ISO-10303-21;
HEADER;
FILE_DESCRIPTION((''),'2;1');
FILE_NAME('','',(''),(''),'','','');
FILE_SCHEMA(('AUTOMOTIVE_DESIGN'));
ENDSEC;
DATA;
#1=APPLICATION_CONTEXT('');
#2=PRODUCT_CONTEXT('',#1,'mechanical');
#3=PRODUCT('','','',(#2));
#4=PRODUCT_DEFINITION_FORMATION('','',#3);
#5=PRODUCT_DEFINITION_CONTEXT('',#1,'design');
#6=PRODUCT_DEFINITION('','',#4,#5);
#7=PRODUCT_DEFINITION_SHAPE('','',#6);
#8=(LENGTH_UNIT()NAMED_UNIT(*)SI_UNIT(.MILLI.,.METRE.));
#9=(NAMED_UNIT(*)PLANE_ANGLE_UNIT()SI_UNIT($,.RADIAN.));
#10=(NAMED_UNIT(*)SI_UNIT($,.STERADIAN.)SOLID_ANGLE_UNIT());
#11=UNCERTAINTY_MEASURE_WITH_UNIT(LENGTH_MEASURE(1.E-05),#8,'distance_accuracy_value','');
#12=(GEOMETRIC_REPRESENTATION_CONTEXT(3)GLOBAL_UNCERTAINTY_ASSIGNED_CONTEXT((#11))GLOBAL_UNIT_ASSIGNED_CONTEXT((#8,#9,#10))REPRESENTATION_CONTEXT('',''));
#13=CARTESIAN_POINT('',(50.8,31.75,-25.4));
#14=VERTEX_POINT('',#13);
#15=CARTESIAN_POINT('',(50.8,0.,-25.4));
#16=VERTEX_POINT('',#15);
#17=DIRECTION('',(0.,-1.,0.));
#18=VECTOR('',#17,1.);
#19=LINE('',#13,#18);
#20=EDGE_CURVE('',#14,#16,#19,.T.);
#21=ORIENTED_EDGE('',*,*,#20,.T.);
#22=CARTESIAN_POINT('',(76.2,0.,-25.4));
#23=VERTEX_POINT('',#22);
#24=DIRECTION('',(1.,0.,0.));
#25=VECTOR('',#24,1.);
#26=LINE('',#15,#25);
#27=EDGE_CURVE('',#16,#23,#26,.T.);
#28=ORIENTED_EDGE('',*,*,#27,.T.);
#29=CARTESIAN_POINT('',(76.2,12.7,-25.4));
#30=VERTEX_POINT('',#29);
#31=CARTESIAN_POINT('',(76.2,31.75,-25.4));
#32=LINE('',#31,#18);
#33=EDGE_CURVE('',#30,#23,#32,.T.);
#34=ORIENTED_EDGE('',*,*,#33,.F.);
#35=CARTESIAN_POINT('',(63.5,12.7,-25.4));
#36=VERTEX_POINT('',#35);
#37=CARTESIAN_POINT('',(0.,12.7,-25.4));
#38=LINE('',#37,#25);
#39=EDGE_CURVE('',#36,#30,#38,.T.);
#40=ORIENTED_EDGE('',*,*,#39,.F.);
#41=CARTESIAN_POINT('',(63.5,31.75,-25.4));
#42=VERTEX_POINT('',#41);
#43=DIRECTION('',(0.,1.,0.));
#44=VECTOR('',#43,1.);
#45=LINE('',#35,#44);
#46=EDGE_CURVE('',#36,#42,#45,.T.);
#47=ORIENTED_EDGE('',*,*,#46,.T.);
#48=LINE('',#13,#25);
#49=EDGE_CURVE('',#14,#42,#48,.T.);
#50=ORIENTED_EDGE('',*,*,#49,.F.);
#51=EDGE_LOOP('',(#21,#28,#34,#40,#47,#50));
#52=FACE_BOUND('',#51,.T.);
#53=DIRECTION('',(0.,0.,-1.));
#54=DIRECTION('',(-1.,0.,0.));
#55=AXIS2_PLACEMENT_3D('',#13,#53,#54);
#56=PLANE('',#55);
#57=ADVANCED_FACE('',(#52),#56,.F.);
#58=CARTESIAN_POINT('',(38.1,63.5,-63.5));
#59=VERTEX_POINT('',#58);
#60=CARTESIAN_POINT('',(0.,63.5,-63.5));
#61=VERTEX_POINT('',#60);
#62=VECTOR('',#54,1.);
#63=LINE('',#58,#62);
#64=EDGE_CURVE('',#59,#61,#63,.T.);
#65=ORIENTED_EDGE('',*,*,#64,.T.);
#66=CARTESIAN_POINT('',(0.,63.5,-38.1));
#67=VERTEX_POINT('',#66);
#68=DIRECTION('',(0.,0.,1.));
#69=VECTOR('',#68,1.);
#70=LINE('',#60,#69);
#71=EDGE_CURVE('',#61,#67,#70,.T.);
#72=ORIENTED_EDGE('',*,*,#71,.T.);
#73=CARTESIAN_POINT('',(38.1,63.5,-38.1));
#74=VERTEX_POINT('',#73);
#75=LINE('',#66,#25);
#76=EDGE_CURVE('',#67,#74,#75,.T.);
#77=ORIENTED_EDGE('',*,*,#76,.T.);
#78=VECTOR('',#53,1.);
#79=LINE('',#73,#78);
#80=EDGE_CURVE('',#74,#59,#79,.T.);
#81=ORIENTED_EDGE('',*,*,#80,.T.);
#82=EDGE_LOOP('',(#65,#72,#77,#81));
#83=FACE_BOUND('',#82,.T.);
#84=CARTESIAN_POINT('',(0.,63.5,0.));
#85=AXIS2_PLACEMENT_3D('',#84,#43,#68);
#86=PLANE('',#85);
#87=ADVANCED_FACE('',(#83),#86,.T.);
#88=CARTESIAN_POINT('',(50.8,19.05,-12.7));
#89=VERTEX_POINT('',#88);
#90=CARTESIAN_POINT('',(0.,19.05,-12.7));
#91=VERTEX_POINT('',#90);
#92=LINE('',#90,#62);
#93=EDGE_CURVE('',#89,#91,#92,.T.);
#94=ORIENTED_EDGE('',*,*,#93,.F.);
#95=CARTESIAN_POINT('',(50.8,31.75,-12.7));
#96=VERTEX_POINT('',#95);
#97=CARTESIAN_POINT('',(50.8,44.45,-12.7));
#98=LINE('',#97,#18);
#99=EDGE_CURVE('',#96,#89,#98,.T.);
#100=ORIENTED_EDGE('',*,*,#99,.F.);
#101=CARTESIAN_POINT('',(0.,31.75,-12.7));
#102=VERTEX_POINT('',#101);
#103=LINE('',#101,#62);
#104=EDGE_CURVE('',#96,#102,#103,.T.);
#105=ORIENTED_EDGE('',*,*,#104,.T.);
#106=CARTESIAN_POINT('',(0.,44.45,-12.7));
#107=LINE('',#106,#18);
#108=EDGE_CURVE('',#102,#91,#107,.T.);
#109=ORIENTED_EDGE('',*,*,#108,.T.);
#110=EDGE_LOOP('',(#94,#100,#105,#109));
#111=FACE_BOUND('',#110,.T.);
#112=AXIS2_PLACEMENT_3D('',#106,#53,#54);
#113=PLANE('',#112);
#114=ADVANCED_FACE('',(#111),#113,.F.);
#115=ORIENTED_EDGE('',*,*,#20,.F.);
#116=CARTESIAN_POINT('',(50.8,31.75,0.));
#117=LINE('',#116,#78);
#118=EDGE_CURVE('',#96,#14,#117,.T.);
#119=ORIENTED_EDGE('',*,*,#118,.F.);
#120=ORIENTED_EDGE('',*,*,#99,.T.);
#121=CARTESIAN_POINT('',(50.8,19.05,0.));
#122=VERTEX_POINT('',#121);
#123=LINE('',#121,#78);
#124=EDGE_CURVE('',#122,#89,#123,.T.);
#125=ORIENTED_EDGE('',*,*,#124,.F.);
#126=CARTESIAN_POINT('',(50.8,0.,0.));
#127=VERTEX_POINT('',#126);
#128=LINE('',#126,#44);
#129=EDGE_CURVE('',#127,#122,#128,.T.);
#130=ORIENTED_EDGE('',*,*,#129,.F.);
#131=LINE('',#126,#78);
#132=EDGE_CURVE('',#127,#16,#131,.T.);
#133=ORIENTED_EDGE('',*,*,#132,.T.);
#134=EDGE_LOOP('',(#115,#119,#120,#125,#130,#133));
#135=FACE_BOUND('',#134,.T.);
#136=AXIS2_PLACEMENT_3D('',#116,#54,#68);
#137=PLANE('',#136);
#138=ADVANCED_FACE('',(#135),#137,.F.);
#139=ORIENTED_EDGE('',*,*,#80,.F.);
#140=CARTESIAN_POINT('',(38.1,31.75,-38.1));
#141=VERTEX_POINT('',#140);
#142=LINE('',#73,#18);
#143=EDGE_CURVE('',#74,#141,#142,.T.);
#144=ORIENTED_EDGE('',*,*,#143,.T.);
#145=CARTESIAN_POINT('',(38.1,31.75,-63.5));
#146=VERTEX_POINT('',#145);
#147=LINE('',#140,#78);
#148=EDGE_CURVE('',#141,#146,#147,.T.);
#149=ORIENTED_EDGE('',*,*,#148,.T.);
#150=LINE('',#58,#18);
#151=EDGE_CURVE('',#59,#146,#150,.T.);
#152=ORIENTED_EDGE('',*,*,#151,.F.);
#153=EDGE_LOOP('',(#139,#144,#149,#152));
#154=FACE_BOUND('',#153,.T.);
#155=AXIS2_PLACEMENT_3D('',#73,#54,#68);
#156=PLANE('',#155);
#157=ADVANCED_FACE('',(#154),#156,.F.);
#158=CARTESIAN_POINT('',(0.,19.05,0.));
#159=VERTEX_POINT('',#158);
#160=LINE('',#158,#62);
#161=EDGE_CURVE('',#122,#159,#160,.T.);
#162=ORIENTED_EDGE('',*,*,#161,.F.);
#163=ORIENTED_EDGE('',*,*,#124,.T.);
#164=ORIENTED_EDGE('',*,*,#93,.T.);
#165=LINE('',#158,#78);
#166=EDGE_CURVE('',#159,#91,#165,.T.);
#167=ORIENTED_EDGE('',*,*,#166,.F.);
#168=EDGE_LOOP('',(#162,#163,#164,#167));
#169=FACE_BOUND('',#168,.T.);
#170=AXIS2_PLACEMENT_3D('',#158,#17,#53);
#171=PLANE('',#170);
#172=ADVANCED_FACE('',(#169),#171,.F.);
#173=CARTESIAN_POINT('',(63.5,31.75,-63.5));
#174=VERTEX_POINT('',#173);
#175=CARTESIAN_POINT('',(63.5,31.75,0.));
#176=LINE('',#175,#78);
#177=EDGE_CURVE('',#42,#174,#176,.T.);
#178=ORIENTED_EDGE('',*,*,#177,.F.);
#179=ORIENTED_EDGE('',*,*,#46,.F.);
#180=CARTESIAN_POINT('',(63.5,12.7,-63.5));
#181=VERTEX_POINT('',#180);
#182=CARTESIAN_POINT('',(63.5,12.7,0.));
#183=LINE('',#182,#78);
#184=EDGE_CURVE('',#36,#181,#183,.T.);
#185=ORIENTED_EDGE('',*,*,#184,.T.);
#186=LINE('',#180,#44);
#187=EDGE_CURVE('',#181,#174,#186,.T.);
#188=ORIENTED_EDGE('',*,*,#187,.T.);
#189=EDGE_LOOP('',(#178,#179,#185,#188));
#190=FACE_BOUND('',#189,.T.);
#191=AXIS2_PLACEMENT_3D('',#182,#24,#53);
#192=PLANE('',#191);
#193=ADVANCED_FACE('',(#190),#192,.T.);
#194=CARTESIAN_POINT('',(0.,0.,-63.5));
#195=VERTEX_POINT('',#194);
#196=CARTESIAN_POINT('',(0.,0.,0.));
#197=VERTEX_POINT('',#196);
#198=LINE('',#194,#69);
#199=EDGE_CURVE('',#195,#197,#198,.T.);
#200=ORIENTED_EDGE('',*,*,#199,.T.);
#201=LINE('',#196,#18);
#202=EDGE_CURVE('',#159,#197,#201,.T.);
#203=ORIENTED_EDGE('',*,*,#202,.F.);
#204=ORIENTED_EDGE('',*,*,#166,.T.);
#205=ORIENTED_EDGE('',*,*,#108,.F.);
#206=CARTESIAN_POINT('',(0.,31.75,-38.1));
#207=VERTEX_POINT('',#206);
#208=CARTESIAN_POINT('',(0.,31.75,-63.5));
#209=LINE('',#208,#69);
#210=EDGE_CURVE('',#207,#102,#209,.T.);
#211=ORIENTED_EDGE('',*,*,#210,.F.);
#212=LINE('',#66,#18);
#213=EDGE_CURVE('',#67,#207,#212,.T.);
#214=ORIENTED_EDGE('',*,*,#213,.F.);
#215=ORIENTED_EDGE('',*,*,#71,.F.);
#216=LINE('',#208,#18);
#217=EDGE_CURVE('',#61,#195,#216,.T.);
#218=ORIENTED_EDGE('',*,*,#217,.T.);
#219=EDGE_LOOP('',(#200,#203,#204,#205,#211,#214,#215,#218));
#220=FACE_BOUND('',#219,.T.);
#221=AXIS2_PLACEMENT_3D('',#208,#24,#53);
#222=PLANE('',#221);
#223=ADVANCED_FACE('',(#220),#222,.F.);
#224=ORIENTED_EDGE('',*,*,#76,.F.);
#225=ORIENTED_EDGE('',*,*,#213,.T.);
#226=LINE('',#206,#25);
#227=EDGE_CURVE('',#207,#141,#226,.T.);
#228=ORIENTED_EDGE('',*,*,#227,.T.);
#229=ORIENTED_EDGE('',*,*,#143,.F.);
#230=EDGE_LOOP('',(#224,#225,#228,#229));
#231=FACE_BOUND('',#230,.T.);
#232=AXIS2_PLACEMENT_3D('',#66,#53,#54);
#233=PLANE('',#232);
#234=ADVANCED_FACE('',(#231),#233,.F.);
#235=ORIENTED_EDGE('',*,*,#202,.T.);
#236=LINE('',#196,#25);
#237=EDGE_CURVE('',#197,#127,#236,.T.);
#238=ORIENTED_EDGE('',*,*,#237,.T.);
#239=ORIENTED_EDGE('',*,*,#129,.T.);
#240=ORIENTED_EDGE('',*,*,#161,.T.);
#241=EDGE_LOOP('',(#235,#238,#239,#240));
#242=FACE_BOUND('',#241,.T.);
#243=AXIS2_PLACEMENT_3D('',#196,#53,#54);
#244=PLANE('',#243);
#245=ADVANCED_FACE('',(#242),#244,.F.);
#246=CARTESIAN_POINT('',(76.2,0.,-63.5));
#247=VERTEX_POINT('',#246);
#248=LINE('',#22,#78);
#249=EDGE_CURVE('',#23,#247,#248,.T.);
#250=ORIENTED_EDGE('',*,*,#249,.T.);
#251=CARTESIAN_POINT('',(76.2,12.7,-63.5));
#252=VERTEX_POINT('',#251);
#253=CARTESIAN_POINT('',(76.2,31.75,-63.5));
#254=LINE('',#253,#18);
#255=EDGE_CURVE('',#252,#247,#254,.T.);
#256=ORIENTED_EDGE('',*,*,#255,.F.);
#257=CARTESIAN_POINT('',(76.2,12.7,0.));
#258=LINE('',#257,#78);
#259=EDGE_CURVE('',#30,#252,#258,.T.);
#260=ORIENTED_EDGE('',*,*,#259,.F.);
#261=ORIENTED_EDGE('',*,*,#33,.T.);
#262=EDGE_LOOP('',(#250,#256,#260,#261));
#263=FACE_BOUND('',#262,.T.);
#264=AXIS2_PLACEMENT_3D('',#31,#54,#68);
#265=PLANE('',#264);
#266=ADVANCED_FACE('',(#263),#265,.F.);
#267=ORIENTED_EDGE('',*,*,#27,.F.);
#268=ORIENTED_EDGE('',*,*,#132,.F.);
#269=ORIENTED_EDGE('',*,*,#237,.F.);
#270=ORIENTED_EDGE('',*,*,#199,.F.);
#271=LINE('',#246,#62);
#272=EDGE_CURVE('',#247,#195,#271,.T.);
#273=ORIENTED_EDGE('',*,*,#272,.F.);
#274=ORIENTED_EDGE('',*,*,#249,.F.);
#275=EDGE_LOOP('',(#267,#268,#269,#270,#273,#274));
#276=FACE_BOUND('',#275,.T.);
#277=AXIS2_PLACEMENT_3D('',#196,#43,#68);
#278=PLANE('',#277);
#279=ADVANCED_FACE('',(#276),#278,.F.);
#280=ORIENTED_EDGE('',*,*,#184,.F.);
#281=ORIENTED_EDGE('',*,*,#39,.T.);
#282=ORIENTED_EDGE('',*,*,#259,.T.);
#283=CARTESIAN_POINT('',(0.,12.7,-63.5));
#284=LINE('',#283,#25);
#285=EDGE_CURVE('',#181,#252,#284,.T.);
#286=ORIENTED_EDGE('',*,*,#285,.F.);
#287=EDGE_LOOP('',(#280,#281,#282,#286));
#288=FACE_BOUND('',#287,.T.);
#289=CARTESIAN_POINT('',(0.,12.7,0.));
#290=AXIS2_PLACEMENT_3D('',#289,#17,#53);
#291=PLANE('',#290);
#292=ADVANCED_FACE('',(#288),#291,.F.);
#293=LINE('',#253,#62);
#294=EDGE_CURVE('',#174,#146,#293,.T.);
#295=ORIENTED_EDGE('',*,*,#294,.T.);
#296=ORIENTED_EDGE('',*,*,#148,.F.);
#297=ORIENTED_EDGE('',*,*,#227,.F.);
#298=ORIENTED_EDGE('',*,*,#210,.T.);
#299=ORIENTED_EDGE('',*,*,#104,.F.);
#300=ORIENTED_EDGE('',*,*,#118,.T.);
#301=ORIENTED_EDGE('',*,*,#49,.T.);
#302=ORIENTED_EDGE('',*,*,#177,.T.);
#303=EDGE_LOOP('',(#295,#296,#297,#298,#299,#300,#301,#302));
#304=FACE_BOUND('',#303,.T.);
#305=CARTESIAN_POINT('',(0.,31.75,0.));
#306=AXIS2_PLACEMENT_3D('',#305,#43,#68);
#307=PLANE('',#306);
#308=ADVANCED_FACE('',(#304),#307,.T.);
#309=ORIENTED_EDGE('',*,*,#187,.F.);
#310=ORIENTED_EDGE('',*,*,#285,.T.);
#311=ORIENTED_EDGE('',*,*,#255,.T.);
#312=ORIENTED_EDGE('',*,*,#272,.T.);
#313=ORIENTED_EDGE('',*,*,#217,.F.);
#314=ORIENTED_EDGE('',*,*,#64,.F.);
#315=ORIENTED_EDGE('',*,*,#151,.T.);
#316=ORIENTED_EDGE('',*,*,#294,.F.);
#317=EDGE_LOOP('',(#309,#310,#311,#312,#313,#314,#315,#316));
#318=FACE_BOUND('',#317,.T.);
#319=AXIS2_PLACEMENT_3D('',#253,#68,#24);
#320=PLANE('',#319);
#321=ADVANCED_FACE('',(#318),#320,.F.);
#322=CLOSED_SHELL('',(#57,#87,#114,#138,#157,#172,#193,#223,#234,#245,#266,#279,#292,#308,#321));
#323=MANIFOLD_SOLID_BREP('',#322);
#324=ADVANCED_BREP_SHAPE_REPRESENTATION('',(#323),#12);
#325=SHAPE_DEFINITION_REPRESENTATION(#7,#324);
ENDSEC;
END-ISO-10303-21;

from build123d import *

# Parameters (mm, degrees)
BOSS_EXTRUDE1_DEPTH = 31.75
SKETCH3_W           = 12.7
SKETCH3_H           = 38.1
CUT_EXTRUDE3_DEPTH  = 19.05
SKETCH6_W           = 50.8
SKETCH6_H           = 12.7
CUT_EXTRUDE5_DEPTH  = 44.45
SKETCH7_W           = 50.8
SKETCH7_H           = 19.05
BOSS_EXTRUDE2_DEPTH = 12.7
SKETCH8_W           = 38.1
SKETCH8_H           = 25.4
BOSS_EXTRUDE3_DEPTH = 31.75


with BuildPart() as part:
    # Sketch1 → Boss-Extrude1 (new body)
    with BuildSketch(Plane(origin=(0, 0, 0), x_dir=(1, 0, 0), z_dir=(0, 1, 0))):
        Polygon((0, 0), (50.8, 0), (50.8, 25.4), (76.2, 25.4), (76.2, 63.5), (0, 63.5), align=None)
    extrude(amount=BOSS_EXTRUDE1_DEPTH)

    # Sketch3 → Cut-Extrude3 (cut)
    with BuildSketch(Plane(origin=(0, 31.75, 0), x_dir=(1, 0, 0), z_dir=(0, 1, 0))):
        with Locations((69.85, 44.45)):
            Rectangle(SKETCH3_W, SKETCH3_H)
    extrude(amount=-CUT_EXTRUDE3_DEPTH, mode=Mode.SUBTRACT)

    # Sketch6 → Cut-Extrude5 (cut)
    with BuildSketch(Plane.XZ):
        with Locations((25.4, -6.35)):
            Rectangle(SKETCH6_W, SKETCH6_H)
    extrude(amount=-CUT_EXTRUDE5_DEPTH, mode=Mode.SUBTRACT)

    # Sketch7 → Boss-Extrude2 (add)
    with BuildSketch(Plane.XY.offset(-12.7)):
        with Locations((25.4, 9.525)):
            Rectangle(SKETCH7_W, SKETCH7_H)
    extrude(amount=BOSS_EXTRUDE2_DEPTH)

    # Sketch8 → Boss-Extrude3 (add)
    with BuildSketch(Plane(origin=(0, 31.75, 0), x_dir=(1, 0, 0), z_dir=(0, 1, 0))):
        with Locations((19.05, 50.8)):
            Rectangle(SKETCH8_W, SKETCH8_H)
    extrude(amount=BOSS_EXTRUDE3_DEPTH)


solid = part.part
